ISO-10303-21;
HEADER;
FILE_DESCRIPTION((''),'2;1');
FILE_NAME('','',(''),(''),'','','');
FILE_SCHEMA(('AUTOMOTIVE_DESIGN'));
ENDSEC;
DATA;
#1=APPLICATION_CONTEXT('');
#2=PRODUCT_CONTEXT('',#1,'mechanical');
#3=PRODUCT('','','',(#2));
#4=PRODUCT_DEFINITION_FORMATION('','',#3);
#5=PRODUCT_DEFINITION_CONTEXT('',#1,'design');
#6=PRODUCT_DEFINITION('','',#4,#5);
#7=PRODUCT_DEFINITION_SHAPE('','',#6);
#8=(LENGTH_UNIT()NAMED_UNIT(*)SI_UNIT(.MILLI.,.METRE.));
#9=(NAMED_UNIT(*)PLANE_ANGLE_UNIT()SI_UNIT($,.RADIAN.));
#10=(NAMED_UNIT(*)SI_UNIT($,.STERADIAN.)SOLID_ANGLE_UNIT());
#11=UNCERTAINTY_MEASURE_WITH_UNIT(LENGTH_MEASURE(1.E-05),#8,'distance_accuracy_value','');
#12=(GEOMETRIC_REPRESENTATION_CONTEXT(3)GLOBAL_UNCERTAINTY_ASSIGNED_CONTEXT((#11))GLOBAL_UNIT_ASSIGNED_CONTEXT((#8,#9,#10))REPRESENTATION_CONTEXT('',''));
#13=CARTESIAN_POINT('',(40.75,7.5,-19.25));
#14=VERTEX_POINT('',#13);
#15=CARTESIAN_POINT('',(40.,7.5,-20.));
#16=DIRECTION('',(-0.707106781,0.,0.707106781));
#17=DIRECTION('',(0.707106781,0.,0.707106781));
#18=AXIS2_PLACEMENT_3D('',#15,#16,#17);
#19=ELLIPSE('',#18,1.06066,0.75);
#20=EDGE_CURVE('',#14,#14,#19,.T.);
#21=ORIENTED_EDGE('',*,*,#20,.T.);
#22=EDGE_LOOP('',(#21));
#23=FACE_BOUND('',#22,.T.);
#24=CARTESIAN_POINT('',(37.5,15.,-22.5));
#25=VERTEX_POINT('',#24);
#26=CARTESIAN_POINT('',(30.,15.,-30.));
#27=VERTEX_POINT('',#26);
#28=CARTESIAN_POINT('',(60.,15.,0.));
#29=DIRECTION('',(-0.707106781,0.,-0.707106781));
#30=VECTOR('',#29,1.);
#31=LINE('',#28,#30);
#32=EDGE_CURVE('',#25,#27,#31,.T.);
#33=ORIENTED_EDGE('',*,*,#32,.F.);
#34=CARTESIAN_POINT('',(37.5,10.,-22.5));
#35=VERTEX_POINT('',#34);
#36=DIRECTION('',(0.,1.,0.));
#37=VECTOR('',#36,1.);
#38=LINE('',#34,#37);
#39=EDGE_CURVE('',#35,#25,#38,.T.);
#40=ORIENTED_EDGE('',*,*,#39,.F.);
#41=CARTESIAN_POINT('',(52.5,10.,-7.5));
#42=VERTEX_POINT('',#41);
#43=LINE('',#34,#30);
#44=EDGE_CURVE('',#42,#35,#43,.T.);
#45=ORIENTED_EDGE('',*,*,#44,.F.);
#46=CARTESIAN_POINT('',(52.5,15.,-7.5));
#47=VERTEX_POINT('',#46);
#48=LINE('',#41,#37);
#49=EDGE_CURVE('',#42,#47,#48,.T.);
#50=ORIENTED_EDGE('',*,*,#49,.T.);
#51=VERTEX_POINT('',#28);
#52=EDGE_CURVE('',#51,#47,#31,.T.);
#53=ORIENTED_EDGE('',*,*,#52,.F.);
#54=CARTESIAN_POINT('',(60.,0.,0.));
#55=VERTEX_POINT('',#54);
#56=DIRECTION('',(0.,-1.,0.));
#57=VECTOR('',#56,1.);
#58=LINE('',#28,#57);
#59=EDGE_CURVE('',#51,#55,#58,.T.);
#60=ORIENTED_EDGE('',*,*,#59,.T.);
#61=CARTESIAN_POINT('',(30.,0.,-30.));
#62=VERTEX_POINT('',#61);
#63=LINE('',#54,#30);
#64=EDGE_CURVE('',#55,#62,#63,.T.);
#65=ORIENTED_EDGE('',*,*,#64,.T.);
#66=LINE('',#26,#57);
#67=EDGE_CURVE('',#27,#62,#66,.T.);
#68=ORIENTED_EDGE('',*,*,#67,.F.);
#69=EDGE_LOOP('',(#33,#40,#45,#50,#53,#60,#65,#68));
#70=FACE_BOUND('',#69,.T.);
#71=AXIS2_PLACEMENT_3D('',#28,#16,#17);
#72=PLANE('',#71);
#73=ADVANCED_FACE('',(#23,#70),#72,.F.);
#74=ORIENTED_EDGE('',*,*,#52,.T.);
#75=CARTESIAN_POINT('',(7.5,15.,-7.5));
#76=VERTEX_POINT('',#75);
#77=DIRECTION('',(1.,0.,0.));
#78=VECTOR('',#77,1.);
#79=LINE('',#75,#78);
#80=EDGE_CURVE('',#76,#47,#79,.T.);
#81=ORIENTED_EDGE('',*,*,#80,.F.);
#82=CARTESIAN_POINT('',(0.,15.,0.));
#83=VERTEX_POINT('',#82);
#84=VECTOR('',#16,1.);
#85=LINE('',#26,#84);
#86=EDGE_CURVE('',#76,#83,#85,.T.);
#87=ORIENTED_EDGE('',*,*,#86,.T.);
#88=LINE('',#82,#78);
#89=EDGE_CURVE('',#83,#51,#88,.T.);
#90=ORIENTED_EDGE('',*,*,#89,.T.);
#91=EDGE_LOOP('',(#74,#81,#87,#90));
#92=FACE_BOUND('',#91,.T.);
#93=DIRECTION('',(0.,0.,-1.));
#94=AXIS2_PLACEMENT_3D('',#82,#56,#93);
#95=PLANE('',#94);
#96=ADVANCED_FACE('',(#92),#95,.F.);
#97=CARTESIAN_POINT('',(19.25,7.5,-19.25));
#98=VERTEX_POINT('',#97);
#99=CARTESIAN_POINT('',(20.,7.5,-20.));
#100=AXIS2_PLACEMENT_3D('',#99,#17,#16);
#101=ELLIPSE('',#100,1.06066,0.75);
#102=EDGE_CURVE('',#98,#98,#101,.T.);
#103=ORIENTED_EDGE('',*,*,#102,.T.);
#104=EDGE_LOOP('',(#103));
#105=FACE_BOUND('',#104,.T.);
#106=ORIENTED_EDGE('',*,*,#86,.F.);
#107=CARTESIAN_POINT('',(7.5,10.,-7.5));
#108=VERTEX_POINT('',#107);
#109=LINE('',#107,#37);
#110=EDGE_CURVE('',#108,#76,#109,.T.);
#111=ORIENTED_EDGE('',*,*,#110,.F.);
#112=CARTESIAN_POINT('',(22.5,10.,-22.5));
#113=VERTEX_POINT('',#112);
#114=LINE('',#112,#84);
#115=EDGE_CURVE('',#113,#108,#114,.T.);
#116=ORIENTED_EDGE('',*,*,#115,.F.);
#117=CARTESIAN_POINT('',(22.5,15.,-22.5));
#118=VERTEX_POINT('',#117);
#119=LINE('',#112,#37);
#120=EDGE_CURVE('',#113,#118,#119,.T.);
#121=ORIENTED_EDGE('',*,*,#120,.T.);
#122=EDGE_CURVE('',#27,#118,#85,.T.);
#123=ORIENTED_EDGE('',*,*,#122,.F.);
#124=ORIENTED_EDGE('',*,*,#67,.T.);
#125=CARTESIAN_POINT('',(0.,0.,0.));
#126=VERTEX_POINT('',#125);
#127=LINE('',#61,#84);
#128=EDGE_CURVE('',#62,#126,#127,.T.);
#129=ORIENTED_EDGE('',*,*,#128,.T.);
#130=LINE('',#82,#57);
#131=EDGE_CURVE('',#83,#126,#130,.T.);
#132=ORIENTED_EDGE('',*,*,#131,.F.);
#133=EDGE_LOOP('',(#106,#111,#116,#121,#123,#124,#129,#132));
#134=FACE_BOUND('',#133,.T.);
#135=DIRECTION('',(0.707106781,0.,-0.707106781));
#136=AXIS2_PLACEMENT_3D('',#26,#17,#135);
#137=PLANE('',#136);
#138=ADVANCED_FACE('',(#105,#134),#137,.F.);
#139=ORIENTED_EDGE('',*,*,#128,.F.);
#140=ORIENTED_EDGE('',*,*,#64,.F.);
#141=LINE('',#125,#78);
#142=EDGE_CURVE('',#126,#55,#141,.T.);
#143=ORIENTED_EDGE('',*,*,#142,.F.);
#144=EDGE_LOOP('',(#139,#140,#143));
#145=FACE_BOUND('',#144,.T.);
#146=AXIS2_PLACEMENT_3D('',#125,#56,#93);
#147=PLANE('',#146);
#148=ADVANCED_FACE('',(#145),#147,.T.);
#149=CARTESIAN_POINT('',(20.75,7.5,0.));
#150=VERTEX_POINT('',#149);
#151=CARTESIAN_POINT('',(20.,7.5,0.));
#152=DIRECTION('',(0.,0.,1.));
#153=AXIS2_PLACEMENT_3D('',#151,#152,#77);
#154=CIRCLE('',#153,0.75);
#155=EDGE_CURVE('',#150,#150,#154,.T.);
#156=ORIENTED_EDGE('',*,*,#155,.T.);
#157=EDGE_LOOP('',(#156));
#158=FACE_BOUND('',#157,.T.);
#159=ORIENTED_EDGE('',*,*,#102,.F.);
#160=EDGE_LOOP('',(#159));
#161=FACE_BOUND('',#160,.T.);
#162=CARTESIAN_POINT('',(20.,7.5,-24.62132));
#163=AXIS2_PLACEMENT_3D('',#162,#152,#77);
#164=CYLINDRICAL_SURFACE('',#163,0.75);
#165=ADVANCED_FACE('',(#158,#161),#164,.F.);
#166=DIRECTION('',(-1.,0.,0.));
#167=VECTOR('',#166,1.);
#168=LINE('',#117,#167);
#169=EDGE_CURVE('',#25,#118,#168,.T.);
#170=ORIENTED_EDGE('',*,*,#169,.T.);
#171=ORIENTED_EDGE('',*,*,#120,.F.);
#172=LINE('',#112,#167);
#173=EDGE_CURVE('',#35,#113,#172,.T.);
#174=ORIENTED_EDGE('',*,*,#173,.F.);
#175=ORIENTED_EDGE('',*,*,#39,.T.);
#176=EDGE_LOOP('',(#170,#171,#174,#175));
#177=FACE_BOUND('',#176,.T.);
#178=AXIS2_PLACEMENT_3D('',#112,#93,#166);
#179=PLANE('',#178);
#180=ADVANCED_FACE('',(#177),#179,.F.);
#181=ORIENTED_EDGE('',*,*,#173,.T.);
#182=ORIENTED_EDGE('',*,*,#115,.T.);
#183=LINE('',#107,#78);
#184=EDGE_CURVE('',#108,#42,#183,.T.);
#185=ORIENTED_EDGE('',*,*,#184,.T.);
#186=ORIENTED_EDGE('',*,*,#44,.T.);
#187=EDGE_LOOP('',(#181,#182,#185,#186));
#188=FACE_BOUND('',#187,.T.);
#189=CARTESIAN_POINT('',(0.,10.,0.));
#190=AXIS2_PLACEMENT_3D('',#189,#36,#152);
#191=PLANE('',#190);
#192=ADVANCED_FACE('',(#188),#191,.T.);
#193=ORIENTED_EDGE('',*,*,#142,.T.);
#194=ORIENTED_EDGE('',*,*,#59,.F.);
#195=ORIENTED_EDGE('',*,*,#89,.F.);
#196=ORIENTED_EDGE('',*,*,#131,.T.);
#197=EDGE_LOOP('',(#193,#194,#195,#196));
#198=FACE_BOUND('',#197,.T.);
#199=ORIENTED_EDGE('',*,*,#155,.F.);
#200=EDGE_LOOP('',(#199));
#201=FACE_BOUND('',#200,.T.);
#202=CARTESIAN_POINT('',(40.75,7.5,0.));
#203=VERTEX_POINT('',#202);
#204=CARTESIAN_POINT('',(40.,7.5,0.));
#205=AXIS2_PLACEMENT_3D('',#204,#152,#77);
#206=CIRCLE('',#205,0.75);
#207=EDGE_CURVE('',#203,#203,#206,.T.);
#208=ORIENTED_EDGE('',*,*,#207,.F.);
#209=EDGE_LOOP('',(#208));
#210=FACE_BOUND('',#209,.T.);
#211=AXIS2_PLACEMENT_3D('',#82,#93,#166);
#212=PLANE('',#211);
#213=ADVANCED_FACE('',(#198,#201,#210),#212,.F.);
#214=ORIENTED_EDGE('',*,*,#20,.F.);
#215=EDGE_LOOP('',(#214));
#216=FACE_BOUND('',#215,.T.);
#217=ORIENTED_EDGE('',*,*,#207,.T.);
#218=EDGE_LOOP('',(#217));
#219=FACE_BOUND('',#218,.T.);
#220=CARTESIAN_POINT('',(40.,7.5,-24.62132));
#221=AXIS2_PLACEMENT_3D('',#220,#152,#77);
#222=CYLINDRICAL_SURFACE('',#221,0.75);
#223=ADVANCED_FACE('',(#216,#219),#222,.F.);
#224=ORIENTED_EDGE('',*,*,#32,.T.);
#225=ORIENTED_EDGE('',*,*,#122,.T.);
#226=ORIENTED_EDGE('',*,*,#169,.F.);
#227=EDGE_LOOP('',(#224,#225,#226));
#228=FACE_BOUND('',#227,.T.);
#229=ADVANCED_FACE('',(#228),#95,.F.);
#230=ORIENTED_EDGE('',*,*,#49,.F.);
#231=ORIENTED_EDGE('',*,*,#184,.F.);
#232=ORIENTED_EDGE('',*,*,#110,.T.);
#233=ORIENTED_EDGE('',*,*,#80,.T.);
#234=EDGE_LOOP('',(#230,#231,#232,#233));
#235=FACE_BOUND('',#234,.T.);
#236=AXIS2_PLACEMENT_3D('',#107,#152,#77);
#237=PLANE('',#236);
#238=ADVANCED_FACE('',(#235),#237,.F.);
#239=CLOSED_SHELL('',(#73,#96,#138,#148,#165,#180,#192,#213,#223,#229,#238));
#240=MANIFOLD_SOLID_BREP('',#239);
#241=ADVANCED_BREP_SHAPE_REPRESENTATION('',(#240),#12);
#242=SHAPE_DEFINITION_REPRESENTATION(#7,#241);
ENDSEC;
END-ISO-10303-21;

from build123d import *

# Parameters (mm, degrees)
BOSS_EXTRUDE1_DEPTH = 15
CUT_EXTRUDE1_DEPTH  = 5
SKETCH4_R           = 0.75
CUT_EXTRUDE2_DEPTH  = 22.5


with BuildPart() as part:
    # Sketch1 → Boss-Extrude1 (new body)
    with BuildSketch(Plane(origin=(0, 0, 0), x_dir=(1, 0, 0), z_dir=(0, 1, 0))):
        Polygon((0, 0), (60, 0), (30, 30), align=None)
    extrude(amount=BOSS_EXTRUDE1_DEPTH)

    # Sketch3 → Cut-Extrude1 (cut)
    with BuildSketch(Plane(origin=(0, 15, 0), x_dir=(1, 0, 0), z_dir=(0, 1, 0))):
        Polygon((7.5, 7.5), (52.5, 7.5), (37.5, 22.5), (22.5, 22.5), align=None)
    extrude(amount=-CUT_EXTRUDE1_DEPTH, mode=Mode.SUBTRACT)

    # Sketch4 → Cut-Extrude2 (cut)
    with BuildSketch(Plane.XY):
        with Locations((20, 7.5)):
            Circle(SKETCH4_R)
        with Locations((40, 7.5)):
            Circle(SKETCH4_R)
    extrude(amount=-CUT_EXTRUDE2_DEPTH, mode=Mode.SUBTRACT)


solid = part.part
